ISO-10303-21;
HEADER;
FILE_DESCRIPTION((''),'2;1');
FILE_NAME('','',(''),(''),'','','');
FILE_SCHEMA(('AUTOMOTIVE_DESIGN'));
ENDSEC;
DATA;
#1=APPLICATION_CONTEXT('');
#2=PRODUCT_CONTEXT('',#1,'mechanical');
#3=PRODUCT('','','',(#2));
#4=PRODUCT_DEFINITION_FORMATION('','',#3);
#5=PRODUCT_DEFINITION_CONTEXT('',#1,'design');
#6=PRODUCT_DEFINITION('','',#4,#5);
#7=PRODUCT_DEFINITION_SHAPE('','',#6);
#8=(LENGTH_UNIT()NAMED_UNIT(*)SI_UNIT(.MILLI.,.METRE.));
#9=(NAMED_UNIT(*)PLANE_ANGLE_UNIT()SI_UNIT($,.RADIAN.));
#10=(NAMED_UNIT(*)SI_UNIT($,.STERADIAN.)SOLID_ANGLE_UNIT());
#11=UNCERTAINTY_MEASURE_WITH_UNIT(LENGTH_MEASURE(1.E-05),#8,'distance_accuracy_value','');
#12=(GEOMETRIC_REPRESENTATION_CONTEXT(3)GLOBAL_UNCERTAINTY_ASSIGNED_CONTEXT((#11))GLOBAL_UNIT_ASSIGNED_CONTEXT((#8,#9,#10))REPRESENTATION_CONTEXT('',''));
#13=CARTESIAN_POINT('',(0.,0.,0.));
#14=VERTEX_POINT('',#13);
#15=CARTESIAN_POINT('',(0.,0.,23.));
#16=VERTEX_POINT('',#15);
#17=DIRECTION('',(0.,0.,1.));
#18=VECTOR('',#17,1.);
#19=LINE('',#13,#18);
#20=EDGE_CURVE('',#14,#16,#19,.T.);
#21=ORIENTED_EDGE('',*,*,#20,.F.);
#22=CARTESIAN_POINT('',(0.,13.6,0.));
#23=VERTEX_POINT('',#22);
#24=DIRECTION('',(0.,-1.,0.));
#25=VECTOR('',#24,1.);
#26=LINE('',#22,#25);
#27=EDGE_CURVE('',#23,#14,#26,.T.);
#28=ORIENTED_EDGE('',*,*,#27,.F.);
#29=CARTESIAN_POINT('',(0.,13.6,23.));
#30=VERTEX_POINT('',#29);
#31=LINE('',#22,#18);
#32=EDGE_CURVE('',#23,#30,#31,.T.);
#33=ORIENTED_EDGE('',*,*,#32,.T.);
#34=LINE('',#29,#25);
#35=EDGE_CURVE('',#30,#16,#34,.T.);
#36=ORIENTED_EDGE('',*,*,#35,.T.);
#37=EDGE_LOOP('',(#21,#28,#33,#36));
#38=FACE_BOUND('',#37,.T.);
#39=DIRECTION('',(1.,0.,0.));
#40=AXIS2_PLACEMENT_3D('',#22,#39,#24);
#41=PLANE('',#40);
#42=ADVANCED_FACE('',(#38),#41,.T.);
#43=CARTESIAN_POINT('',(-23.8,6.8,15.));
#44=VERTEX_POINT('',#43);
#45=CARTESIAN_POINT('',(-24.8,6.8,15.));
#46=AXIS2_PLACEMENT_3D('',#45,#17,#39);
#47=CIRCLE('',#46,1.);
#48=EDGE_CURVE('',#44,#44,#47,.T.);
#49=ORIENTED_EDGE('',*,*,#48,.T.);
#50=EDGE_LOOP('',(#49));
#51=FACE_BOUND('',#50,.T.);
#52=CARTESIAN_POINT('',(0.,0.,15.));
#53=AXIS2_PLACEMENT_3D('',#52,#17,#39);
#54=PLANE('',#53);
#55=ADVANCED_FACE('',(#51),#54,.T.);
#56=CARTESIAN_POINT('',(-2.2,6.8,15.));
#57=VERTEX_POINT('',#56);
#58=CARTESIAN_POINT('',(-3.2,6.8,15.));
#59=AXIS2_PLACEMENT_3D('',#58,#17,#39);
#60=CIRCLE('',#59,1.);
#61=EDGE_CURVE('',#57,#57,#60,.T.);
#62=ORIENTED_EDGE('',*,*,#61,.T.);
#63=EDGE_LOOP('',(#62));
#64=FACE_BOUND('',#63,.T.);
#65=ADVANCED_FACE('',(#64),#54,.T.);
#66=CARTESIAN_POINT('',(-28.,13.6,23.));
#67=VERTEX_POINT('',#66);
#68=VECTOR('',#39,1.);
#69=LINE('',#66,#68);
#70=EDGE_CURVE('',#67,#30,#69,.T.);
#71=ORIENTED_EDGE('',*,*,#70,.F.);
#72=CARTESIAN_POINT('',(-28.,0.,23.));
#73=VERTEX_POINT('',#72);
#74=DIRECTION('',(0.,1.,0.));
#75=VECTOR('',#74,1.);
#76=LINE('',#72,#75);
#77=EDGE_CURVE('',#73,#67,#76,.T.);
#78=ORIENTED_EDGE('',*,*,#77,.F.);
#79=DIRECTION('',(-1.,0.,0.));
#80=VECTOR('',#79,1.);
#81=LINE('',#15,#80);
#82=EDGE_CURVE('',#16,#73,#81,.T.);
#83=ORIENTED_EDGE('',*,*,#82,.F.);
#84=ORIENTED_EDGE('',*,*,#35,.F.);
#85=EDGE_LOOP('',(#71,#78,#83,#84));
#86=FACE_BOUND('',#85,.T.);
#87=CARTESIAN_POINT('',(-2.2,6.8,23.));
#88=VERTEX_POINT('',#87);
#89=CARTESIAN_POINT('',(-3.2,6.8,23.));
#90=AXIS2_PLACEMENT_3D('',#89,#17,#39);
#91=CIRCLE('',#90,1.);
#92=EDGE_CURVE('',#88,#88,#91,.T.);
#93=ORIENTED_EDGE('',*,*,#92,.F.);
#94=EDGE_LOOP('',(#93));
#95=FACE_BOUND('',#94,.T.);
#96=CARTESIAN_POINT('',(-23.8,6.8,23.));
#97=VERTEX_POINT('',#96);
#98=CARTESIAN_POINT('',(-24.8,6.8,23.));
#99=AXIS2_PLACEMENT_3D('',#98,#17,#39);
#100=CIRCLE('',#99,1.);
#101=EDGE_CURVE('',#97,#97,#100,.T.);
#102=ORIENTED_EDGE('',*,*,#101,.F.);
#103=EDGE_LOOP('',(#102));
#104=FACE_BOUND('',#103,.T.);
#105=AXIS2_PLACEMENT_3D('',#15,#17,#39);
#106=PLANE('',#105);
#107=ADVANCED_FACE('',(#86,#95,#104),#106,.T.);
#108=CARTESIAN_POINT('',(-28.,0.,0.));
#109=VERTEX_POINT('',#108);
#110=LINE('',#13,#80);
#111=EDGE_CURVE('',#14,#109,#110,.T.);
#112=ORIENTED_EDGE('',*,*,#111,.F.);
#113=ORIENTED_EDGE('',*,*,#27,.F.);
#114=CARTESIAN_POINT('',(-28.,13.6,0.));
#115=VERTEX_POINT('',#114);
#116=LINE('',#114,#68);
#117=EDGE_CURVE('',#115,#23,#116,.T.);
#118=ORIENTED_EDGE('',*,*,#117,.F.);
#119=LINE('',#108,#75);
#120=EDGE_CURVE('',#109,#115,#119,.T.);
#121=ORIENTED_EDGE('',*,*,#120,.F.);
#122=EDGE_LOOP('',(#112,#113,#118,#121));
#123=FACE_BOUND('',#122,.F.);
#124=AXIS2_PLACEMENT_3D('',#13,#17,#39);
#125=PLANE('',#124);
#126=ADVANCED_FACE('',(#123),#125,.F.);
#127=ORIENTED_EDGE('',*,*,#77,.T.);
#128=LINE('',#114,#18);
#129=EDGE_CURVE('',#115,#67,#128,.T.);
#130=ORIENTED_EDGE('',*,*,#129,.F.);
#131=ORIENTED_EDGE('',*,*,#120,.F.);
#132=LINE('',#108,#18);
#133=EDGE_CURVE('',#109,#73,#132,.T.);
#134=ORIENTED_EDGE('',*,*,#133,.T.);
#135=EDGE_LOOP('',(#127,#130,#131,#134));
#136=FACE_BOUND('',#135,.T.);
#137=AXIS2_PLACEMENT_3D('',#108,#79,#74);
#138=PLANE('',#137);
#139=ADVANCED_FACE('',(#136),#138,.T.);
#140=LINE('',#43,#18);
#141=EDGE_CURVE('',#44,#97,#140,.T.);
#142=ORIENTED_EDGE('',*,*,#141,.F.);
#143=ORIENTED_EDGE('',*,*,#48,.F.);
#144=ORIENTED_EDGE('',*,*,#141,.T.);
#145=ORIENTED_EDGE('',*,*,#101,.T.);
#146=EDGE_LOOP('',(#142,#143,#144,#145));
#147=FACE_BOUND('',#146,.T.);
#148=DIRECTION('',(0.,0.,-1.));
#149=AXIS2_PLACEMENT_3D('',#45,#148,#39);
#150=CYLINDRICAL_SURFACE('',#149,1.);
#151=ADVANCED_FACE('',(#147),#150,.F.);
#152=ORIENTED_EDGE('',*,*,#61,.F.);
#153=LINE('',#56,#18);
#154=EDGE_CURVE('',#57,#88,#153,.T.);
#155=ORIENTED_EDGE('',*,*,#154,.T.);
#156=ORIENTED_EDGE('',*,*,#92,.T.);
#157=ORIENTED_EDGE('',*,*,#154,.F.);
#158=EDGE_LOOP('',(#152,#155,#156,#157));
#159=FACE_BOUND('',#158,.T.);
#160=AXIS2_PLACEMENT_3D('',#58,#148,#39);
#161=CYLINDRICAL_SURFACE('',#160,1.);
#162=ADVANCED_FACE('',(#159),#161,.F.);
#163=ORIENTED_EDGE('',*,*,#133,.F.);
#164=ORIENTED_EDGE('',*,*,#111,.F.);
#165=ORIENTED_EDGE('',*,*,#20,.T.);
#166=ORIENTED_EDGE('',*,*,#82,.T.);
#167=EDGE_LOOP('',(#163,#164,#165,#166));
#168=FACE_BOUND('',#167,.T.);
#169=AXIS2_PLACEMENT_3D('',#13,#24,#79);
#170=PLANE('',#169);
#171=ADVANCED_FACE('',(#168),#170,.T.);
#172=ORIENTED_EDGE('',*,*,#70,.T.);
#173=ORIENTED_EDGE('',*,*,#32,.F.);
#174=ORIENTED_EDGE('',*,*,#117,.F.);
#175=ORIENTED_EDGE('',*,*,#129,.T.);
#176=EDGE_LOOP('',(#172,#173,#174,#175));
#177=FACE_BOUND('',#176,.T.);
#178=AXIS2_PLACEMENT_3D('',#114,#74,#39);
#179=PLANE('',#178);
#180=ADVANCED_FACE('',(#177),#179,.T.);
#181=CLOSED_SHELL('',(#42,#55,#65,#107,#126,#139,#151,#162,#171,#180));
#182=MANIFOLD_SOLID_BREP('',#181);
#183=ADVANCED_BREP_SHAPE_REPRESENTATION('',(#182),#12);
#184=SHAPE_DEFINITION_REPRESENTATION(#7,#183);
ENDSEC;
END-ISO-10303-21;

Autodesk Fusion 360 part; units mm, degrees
sketch "Skizze1" plane through (0, 0, 0) normal (0, 0, 1) x (1, 0, 0)
  line L0 (0, 0) -> (-28, 0)
  line L1 (-28, 0) -> (-28, 13.6)
  line L2 (-28, 13.6) -> (0, 13.6)
  line L3 (0, 13.6) -> (0, 0)
  line L4 (-28, 6.8) -> (0, 6.8) construction
  circle A0 centre (-24.8, 6.8) radius 1
  circle A1 centre (-3.2, 6.8) radius 1
  line L5 (-14, 13.6) -> (-14, 0) construction
  dimension "d1" = 13.6
  dimension "d2" = 28
  dimension "d5" = 2
  dimension "d6" = 2
  dimension "d7" = 21.6
extrude "Extrusion1" add sketch "Skizze1" along normal blind 23 contours L0 L1 L2 L3 | A0 | A1
extrude "Extrusion2" cut sketch "Skizze1" along normal up to surface (8 mm away) from surface at 15 contours A0 | A1
